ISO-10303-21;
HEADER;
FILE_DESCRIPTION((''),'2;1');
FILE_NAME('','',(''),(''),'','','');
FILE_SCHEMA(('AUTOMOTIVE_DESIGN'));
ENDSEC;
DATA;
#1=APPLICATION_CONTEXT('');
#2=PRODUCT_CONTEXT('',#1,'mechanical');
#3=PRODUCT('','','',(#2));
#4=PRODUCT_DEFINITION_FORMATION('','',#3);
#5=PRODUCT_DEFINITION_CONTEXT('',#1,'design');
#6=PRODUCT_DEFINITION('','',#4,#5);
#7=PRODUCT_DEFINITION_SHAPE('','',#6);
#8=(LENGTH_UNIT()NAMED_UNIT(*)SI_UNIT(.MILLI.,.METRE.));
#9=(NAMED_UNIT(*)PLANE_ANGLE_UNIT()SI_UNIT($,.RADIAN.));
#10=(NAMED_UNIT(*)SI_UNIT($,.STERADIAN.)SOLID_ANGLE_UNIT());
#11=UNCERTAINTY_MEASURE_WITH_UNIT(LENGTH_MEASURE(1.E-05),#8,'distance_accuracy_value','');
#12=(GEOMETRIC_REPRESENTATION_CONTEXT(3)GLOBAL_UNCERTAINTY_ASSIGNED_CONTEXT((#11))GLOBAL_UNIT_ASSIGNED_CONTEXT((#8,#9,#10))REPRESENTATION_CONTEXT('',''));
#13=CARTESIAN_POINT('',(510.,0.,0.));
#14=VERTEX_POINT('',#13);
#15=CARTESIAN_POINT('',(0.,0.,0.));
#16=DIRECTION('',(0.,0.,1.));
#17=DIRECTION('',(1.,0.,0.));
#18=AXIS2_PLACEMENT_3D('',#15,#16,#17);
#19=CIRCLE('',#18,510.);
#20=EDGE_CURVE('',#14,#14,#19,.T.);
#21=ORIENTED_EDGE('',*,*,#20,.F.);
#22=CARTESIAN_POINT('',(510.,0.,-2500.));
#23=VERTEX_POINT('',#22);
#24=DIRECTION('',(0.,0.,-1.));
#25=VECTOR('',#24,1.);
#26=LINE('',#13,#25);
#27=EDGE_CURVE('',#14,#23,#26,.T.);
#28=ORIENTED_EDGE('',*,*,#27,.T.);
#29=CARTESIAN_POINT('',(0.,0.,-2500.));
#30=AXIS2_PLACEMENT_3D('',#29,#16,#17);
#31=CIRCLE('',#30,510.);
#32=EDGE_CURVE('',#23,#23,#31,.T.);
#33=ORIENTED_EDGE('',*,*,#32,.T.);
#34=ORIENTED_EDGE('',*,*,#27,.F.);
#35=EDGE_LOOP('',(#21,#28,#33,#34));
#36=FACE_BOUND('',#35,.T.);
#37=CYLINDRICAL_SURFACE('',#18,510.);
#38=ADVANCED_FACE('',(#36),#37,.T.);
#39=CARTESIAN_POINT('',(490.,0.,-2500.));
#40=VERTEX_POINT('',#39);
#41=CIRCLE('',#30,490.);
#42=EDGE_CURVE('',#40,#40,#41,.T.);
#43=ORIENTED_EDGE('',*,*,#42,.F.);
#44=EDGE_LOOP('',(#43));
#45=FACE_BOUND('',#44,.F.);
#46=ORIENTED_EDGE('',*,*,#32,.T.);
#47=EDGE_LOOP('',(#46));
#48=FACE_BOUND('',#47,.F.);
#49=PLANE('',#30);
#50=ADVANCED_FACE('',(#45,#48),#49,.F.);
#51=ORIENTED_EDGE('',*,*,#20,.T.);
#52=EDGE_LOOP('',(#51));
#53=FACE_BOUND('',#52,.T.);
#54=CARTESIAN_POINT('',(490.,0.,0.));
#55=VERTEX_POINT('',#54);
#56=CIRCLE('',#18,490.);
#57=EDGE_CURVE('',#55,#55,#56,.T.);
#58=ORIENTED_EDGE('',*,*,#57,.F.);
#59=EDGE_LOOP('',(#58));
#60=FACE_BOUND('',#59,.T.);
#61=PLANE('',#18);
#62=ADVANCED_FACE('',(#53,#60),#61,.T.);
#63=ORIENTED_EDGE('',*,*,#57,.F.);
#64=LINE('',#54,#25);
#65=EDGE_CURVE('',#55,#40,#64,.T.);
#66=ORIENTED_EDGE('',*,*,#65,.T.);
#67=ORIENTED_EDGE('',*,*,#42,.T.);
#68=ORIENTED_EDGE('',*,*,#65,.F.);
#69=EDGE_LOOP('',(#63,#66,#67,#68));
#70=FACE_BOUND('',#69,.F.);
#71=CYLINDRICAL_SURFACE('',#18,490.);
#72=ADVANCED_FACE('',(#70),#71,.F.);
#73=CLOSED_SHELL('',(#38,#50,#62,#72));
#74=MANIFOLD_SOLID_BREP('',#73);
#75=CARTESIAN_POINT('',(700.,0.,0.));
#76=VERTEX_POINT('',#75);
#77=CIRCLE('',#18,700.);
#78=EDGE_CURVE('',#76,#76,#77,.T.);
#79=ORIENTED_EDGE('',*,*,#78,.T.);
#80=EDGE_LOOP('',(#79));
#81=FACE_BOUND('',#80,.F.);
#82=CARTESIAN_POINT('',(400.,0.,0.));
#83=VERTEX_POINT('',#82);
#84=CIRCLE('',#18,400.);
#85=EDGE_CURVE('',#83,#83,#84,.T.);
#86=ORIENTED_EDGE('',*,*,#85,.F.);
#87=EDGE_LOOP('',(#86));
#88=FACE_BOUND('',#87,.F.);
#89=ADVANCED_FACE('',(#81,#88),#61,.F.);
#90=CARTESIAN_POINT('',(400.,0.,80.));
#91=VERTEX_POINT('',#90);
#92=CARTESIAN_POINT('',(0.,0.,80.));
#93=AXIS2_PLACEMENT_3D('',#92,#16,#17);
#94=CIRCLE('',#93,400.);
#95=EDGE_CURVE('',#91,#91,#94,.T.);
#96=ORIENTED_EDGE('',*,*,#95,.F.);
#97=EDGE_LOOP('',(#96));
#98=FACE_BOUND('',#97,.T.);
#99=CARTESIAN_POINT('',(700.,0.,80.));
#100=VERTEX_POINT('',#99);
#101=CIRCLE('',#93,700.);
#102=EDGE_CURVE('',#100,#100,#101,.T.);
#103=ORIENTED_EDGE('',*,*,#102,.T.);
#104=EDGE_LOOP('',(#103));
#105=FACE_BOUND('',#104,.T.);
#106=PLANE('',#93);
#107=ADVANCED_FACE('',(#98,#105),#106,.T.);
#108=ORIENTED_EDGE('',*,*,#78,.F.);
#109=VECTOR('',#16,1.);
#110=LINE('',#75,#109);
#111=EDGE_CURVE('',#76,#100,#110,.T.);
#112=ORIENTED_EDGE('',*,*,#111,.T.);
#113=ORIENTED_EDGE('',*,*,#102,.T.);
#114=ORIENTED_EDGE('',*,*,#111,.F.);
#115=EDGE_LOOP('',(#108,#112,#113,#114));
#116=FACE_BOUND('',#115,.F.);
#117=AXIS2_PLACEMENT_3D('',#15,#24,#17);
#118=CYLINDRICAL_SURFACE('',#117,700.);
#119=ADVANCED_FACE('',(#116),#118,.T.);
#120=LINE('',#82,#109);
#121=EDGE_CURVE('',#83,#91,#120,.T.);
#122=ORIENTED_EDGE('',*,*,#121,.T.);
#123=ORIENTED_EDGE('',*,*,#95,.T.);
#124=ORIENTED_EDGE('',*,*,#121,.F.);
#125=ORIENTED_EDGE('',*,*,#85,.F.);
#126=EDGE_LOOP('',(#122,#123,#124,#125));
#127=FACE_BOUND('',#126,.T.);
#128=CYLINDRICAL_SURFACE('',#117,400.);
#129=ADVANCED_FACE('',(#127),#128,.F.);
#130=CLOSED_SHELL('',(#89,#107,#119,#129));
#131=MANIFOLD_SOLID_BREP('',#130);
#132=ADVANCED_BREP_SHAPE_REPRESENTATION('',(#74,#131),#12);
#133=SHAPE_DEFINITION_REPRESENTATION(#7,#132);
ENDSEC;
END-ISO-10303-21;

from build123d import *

# Parameters (mm, degrees)
F0_R     = 510
F0_R_2   = 490
F1_DEPTH = 2500
F0_R_3   = 700
F0_R_4   = 400
F2_DEPTH = 80


with BuildPart() as f1:
    # F0 (on Top) → F1 (new body)
    with BuildSketch(Plane.XY):
        Circle(F0_R)
        Circle(F0_R_2, mode=Mode.SUBTRACT)
    extrude(amount=-F1_DEPTH)


with BuildPart() as f2:
    # F0 (on Top) → F2 (new body)
    with BuildSketch(Plane.XY):
        Circle(F0_R_3)
        Circle(F0_R, mode=Mode.SUBTRACT)
        Circle(F0_R)
        Circle(F0_R_2, mode=Mode.SUBTRACT)
        Circle(F0_R_2)
        Circle(F0_R_4, mode=Mode.SUBTRACT)
    extrude(amount=F2_DEPTH)


solid = Compound([f1.part, f2.part])
